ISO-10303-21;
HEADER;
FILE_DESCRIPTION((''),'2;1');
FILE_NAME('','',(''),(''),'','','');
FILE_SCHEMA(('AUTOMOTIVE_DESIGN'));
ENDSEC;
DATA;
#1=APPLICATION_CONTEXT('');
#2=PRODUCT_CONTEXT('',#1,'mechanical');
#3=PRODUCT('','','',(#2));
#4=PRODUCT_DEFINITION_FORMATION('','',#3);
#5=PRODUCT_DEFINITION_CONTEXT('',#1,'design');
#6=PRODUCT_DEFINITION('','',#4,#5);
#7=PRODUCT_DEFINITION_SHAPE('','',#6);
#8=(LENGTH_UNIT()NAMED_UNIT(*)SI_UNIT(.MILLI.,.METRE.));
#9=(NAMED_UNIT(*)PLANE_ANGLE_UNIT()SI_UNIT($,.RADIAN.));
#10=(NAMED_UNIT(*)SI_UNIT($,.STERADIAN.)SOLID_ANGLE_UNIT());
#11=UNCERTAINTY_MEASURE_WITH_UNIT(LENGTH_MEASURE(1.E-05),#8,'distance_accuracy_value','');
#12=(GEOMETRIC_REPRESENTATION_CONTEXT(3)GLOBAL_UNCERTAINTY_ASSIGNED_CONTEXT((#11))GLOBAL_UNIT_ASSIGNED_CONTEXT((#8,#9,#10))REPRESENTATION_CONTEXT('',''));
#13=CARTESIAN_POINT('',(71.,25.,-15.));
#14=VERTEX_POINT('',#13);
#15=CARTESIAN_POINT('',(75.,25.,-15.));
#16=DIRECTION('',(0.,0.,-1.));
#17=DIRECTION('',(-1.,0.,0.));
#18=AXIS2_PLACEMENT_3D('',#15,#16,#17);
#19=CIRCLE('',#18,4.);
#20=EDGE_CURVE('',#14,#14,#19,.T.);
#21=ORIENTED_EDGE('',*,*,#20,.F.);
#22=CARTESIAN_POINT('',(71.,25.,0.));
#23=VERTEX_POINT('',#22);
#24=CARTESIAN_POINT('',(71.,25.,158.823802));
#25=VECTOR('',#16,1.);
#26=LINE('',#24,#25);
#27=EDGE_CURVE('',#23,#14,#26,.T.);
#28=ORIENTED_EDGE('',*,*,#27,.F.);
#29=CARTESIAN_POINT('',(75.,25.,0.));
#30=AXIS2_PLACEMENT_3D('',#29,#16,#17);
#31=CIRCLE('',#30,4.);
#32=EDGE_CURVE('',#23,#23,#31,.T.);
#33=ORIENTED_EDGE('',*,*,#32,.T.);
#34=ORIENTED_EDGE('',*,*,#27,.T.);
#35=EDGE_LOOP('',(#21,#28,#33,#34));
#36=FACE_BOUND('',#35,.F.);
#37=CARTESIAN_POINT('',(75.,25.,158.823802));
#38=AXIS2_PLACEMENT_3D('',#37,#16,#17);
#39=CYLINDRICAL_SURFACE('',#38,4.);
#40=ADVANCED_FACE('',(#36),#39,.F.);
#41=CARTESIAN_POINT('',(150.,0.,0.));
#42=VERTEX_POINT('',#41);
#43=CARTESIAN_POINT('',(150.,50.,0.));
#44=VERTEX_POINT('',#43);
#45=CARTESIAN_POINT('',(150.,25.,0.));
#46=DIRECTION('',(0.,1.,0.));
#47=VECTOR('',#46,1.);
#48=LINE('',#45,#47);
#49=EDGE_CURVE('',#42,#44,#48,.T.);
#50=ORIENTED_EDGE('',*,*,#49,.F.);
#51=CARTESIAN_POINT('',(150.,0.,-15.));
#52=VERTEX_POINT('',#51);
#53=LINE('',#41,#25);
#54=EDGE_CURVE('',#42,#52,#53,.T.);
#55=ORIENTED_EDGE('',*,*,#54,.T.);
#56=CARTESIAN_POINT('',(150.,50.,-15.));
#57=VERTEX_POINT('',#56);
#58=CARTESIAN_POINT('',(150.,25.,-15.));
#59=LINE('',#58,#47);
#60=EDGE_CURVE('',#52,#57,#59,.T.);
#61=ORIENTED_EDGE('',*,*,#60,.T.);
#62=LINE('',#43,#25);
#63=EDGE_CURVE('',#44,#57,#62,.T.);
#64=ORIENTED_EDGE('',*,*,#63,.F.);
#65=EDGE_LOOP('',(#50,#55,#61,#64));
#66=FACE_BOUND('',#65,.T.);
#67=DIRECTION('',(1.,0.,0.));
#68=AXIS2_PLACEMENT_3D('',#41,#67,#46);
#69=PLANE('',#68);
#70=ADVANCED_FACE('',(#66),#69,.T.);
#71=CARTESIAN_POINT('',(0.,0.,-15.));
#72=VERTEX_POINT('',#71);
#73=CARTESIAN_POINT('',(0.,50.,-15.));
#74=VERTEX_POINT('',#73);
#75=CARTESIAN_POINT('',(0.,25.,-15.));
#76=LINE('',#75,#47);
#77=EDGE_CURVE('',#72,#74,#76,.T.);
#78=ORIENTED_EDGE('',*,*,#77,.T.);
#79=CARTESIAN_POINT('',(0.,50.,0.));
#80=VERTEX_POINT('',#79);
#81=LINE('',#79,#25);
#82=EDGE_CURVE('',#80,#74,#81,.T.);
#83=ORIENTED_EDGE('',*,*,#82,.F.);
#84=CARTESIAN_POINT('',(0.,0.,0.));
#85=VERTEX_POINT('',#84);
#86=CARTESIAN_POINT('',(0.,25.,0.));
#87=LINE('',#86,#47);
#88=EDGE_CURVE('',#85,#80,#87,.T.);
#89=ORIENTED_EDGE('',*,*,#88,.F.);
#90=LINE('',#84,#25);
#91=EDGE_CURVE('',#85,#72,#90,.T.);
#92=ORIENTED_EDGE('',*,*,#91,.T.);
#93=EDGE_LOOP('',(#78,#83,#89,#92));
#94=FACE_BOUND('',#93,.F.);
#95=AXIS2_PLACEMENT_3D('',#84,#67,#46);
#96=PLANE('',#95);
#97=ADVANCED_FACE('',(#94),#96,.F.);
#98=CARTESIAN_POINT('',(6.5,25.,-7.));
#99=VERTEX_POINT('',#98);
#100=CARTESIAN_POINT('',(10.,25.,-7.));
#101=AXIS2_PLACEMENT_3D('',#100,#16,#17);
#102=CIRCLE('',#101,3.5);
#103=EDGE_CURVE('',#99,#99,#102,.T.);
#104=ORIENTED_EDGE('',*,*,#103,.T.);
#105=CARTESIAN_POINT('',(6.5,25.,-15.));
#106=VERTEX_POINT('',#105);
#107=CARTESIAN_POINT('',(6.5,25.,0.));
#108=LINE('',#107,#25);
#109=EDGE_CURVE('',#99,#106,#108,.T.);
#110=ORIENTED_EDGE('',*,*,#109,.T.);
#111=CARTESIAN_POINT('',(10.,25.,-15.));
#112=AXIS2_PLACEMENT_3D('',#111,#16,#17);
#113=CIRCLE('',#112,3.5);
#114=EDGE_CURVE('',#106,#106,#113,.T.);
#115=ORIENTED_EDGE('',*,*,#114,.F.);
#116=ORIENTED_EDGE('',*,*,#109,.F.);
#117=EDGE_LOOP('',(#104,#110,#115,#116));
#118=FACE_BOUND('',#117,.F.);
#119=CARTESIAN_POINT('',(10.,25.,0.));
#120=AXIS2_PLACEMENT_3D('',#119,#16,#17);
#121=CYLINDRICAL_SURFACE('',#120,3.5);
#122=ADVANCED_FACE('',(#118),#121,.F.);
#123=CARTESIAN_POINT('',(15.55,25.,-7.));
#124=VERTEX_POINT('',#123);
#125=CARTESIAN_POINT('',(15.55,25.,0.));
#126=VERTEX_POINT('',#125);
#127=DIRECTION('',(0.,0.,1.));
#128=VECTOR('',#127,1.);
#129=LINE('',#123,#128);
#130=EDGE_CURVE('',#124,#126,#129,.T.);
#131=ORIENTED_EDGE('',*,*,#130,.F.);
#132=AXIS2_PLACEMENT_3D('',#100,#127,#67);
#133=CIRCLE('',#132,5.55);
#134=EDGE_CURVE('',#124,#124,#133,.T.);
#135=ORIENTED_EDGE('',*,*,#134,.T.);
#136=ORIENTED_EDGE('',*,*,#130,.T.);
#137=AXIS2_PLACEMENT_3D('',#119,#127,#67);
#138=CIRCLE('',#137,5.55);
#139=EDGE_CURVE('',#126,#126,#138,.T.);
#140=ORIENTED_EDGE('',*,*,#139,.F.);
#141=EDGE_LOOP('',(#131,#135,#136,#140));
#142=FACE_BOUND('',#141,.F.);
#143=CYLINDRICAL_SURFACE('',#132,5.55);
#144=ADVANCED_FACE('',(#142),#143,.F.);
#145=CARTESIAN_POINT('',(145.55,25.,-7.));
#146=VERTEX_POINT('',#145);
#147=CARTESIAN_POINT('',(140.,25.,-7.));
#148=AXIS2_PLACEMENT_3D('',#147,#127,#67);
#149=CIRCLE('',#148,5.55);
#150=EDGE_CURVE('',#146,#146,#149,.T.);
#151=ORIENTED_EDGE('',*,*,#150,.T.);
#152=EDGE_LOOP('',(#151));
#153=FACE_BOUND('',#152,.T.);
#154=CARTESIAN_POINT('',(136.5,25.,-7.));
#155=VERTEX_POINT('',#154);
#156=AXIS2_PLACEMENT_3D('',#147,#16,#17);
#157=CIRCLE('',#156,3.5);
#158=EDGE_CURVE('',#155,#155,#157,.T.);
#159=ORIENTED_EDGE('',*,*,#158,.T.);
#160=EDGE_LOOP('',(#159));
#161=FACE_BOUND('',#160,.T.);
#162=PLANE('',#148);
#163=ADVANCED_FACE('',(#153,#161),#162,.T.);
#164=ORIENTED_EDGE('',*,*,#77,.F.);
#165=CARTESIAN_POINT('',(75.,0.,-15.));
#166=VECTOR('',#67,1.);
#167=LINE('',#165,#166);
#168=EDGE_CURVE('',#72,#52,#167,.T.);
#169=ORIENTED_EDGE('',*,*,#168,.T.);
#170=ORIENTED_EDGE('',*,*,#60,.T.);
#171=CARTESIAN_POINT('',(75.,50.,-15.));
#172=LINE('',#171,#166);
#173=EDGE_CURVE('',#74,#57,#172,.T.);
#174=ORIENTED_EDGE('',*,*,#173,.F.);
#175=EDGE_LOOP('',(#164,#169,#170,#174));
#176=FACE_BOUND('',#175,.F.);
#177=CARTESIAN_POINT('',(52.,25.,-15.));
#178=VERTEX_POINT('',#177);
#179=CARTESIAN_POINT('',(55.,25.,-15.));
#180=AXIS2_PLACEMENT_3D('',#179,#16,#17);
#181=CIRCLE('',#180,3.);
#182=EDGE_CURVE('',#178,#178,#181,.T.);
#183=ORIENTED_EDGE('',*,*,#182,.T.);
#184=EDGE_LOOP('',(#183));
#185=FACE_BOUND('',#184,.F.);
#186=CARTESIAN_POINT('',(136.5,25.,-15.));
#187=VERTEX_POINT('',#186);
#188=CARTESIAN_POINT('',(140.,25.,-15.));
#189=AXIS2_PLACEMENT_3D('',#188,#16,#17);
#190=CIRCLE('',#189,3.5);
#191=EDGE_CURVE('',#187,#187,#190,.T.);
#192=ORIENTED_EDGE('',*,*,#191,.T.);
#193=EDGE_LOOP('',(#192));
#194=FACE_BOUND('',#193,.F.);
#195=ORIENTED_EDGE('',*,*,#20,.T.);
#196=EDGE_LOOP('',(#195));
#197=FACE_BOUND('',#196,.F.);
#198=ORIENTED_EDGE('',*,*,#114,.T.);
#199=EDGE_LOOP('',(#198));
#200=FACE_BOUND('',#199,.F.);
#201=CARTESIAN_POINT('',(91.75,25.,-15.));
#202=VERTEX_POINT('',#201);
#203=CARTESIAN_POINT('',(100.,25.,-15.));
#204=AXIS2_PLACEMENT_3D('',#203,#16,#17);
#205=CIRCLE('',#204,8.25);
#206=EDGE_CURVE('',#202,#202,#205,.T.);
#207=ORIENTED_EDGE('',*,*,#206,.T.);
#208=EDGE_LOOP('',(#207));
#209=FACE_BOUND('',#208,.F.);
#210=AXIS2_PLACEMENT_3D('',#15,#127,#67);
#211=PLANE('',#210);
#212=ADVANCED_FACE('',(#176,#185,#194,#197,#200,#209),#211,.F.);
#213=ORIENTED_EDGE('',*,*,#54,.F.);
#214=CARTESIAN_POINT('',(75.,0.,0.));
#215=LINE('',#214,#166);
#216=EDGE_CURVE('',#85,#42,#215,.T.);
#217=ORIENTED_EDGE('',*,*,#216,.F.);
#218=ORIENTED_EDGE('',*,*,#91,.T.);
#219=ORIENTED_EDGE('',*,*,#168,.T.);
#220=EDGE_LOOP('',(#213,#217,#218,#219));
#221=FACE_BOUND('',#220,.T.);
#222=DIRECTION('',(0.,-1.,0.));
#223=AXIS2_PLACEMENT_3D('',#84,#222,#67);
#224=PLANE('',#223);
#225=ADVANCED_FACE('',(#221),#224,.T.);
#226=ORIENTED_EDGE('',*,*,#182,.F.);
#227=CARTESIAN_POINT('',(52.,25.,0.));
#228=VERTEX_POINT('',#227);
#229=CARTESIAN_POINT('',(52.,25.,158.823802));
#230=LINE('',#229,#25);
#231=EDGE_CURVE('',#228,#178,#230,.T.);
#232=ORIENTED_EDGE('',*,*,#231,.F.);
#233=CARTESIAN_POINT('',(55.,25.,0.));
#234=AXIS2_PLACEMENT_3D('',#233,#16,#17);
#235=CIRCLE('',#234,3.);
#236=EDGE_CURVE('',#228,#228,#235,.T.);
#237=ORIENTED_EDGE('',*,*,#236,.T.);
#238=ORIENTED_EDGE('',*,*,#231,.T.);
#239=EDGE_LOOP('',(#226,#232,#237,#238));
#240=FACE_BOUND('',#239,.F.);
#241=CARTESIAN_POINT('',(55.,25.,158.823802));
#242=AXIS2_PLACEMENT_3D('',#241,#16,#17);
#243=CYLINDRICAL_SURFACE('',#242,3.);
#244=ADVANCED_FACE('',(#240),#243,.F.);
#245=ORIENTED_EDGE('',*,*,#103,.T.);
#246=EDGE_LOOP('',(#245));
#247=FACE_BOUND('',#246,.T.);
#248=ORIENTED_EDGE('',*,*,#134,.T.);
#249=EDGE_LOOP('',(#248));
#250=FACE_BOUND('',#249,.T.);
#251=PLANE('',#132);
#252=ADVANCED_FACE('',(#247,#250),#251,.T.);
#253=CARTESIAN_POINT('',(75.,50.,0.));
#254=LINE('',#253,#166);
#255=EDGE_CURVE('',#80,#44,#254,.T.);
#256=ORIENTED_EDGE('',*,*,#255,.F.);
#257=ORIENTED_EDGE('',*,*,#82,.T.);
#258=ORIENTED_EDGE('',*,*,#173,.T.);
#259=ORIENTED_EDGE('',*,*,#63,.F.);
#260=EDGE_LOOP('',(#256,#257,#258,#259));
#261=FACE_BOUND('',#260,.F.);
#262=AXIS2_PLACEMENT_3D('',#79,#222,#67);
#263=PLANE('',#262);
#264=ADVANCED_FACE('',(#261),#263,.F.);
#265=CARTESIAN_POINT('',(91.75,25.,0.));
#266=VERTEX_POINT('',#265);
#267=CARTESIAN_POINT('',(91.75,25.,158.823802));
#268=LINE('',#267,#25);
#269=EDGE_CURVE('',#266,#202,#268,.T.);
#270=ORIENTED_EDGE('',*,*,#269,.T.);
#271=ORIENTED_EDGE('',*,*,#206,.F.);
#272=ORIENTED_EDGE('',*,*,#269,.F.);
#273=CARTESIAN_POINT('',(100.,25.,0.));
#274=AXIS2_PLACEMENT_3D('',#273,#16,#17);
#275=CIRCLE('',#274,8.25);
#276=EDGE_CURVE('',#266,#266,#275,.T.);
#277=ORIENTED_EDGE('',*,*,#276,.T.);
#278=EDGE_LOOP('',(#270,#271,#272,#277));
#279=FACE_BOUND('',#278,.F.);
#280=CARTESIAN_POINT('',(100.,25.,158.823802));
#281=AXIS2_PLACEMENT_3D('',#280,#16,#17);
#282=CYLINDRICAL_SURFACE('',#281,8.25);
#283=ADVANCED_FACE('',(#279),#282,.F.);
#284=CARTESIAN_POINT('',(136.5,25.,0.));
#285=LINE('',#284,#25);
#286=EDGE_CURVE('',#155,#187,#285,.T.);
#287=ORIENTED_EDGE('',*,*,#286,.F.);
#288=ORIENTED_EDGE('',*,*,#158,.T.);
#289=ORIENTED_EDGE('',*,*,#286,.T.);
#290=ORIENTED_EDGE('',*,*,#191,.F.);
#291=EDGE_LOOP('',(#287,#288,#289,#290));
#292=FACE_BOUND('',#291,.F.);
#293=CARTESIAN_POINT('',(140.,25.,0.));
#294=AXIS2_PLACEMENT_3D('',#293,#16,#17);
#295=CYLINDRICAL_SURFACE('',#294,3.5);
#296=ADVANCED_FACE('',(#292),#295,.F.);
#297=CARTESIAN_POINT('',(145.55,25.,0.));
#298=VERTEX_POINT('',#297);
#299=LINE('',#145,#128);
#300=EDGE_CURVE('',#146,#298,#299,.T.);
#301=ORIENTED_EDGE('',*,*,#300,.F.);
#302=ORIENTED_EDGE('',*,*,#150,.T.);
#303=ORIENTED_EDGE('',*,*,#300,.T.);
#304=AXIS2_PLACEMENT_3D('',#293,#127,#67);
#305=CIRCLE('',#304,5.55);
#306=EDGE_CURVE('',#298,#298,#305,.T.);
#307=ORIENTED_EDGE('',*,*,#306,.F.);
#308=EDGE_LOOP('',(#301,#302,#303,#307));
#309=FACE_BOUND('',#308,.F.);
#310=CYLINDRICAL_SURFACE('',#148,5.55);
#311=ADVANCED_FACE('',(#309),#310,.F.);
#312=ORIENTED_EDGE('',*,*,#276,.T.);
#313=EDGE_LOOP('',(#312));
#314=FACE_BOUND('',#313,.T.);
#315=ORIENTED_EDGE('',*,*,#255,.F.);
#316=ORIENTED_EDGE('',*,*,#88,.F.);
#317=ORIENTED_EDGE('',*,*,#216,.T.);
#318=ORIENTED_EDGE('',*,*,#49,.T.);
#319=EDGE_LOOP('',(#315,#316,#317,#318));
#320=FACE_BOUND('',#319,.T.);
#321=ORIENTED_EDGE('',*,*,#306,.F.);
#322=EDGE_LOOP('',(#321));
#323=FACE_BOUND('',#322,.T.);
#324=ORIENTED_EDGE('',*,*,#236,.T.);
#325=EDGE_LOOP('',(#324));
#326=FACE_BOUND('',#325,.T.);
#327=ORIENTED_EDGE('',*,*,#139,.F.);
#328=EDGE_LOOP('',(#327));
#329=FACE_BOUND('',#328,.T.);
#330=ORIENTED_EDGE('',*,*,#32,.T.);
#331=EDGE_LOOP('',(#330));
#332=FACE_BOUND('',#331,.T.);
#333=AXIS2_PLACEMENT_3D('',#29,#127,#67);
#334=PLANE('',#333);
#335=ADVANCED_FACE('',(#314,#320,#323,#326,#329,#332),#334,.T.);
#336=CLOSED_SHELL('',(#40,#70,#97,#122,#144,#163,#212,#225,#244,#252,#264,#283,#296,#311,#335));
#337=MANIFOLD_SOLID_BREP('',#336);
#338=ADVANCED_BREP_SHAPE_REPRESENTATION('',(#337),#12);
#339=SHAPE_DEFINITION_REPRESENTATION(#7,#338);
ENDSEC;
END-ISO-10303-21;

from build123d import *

# Parameters (mm, degrees)
F0_W           = 150
F0_H           = 50
F1_DEPTH       = 15
F3_D           = 7
F3_CBORE_D     = 11.1
F3_CBORE_DEPTH = 7
F4_D           = 6
F5_D           = 8
F6_D           = 16.5


with BuildPart() as f1:
    # F0 (on Top) → F1 (new body)
    with BuildSketch(Plane.XY):
        with Locations((75, 25)):
            Rectangle(F0_W, F0_H)
    extrude(amount=-F1_DEPTH)

    # F3 (through all)
    with Locations(Plane.XY):
        with Locations((10, 25), (140, 25)):
            CounterBoreHole(F3_D / 2, F3_CBORE_D / 2, F3_CBORE_DEPTH)

    # F4 (through all)
    with Locations(Plane.XY):
        with Locations((55, 25)):
            Hole(F4_D / 2)

    # F5 (through all)
    with Locations(Plane.XY):
        with Locations((75, 25)):
            Hole(F5_D / 2)

    # F6 (through all)
    with Locations(Plane.XY):
        with Locations((100, 25)):
            Hole(F6_D / 2)


solid = f1.part
